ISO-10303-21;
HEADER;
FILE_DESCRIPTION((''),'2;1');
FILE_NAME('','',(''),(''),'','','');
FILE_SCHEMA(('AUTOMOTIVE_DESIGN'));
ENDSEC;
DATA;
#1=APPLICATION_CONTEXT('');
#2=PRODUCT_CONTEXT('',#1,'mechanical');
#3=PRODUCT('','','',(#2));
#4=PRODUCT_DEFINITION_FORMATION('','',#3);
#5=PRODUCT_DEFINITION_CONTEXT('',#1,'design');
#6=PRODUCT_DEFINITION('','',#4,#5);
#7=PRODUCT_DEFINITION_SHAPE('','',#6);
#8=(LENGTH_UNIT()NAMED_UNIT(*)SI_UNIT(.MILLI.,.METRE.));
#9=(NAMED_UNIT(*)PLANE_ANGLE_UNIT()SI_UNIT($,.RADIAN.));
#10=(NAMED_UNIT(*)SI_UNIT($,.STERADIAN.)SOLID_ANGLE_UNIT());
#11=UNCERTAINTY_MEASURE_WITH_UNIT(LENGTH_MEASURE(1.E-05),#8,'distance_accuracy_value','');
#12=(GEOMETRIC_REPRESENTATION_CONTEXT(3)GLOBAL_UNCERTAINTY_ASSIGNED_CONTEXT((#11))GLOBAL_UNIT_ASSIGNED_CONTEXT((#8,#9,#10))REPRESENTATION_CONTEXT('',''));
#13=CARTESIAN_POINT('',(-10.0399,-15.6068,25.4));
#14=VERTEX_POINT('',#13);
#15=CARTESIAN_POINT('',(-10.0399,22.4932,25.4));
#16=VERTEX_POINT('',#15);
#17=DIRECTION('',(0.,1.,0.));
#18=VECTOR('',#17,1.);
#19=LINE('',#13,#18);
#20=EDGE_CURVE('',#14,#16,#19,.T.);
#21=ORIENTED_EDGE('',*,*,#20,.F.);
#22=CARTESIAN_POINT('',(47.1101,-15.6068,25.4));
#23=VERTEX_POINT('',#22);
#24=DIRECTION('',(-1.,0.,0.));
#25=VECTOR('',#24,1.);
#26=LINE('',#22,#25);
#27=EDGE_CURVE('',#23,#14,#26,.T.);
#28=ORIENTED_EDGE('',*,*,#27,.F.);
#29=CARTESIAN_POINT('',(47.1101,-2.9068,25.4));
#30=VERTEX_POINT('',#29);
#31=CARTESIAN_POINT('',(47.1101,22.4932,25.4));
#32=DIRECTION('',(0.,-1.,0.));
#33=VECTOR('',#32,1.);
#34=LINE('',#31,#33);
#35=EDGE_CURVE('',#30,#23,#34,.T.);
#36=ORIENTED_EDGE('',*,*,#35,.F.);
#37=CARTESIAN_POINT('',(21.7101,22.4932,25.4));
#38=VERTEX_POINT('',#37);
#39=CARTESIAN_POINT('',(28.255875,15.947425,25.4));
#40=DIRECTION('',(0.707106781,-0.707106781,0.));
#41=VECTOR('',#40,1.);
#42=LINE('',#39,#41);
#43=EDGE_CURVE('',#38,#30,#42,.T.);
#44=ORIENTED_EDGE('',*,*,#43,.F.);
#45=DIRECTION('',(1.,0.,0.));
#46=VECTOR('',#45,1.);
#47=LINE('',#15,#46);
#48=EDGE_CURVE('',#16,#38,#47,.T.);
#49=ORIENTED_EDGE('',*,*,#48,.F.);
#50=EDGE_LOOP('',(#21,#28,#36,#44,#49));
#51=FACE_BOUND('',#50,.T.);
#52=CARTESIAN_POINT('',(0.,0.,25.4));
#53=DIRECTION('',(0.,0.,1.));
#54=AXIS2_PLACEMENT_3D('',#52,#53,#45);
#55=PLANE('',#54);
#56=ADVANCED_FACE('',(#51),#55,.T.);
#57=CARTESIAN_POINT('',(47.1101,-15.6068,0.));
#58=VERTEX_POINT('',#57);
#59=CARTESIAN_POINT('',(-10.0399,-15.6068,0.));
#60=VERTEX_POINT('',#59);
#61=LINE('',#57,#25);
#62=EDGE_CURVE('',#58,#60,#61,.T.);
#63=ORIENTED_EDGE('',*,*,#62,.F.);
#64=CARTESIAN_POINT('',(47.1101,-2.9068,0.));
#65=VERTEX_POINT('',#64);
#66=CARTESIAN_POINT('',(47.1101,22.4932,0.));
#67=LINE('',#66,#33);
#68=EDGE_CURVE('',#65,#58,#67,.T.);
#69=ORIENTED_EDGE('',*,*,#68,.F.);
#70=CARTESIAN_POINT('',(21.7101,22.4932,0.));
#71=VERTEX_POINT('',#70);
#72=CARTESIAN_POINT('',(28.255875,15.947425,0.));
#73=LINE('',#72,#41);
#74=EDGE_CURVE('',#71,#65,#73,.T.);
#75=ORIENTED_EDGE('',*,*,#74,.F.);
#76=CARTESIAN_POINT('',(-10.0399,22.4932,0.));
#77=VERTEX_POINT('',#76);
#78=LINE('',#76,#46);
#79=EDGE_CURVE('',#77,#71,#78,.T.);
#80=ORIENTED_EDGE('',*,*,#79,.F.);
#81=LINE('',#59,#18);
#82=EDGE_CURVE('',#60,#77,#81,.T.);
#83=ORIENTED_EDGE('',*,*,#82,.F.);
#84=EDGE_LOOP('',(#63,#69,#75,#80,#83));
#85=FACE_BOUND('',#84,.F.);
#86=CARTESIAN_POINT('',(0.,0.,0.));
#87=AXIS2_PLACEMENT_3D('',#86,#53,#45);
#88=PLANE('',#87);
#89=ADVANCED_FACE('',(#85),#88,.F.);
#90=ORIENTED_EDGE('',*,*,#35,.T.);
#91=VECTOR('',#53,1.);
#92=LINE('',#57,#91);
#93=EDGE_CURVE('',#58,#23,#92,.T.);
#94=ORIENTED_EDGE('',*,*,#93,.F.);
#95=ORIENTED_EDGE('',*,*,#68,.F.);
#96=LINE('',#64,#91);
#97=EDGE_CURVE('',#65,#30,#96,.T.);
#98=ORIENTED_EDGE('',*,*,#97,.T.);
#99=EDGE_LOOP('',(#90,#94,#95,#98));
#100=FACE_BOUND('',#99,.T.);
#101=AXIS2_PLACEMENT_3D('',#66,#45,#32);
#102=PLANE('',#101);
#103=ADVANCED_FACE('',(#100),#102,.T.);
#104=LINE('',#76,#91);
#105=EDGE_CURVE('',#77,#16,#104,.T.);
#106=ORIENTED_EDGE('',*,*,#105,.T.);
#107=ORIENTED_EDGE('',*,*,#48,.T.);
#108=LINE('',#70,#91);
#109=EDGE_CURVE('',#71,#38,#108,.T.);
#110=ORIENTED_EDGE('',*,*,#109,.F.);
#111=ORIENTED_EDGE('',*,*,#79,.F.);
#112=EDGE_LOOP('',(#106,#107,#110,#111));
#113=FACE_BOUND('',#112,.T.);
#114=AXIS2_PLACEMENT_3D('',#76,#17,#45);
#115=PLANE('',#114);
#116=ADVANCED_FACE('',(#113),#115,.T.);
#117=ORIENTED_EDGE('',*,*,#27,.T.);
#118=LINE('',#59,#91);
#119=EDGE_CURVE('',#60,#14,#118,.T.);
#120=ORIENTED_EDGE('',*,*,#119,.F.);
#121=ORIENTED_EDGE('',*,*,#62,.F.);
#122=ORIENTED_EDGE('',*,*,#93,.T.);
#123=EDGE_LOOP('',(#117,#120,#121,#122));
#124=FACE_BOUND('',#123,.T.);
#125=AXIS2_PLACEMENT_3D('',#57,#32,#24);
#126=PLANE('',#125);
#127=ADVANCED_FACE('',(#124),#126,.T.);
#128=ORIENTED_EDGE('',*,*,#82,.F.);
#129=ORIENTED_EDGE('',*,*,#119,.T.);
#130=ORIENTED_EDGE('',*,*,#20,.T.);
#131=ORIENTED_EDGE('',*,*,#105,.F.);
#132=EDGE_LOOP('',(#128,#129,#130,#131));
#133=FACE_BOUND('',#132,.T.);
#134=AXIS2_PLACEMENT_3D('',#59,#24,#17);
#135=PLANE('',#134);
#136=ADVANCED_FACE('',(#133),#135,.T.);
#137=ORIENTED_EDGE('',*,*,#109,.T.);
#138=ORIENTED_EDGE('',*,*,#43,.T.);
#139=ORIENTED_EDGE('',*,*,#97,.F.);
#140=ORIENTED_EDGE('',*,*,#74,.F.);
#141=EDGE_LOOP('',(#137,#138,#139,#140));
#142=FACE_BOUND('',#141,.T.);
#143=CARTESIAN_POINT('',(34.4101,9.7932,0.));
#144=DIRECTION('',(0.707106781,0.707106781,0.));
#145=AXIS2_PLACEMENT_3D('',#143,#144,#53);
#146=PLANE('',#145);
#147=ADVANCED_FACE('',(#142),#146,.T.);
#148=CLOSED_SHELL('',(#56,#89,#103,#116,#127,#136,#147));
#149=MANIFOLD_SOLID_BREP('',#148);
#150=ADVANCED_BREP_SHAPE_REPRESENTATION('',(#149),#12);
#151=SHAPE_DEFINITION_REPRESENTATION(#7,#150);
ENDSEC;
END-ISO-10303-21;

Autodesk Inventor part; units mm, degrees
ref_plane "YZ Plane" through (0, 0, 0) normal (1, 0, 0) x (0, 1, 0)
ref_plane "XZ Plane" through (0, 0, 0) normal (0, 1, 0) x (-1, 0, 0)
ref_plane "XY Plane" through (0, 0, 0) normal (0, 0, 1) x (1, 0, 0)
sketch "Sketch1" plane through (0, 0, 0) normal (0, 0, 1) x (1, 0, 0)
  line L0 (-10.0399, 22.4932) -> (47.1101, 22.4932)
  line L1 (47.1101, 22.4932) -> (47.1101, -15.6068)
  line L2 (47.1101, -15.6068) -> (-10.0399, -15.6068)
  line L3 (-10.0399, -15.6068) -> (-10.0399, 22.4932)
  point P0 (0, 0)
  dimension "d0" = 57.15
  dimension "d1" = 38.1
extrude "Extrusion1" add sketch "Sketch1" along normal blind 25.4
chamfer "Chamfer1" distance 25.4 angle 45 1 edges at (47.1101, 22.4932, 12.7)
properties part number "Figure 7_27_9"
